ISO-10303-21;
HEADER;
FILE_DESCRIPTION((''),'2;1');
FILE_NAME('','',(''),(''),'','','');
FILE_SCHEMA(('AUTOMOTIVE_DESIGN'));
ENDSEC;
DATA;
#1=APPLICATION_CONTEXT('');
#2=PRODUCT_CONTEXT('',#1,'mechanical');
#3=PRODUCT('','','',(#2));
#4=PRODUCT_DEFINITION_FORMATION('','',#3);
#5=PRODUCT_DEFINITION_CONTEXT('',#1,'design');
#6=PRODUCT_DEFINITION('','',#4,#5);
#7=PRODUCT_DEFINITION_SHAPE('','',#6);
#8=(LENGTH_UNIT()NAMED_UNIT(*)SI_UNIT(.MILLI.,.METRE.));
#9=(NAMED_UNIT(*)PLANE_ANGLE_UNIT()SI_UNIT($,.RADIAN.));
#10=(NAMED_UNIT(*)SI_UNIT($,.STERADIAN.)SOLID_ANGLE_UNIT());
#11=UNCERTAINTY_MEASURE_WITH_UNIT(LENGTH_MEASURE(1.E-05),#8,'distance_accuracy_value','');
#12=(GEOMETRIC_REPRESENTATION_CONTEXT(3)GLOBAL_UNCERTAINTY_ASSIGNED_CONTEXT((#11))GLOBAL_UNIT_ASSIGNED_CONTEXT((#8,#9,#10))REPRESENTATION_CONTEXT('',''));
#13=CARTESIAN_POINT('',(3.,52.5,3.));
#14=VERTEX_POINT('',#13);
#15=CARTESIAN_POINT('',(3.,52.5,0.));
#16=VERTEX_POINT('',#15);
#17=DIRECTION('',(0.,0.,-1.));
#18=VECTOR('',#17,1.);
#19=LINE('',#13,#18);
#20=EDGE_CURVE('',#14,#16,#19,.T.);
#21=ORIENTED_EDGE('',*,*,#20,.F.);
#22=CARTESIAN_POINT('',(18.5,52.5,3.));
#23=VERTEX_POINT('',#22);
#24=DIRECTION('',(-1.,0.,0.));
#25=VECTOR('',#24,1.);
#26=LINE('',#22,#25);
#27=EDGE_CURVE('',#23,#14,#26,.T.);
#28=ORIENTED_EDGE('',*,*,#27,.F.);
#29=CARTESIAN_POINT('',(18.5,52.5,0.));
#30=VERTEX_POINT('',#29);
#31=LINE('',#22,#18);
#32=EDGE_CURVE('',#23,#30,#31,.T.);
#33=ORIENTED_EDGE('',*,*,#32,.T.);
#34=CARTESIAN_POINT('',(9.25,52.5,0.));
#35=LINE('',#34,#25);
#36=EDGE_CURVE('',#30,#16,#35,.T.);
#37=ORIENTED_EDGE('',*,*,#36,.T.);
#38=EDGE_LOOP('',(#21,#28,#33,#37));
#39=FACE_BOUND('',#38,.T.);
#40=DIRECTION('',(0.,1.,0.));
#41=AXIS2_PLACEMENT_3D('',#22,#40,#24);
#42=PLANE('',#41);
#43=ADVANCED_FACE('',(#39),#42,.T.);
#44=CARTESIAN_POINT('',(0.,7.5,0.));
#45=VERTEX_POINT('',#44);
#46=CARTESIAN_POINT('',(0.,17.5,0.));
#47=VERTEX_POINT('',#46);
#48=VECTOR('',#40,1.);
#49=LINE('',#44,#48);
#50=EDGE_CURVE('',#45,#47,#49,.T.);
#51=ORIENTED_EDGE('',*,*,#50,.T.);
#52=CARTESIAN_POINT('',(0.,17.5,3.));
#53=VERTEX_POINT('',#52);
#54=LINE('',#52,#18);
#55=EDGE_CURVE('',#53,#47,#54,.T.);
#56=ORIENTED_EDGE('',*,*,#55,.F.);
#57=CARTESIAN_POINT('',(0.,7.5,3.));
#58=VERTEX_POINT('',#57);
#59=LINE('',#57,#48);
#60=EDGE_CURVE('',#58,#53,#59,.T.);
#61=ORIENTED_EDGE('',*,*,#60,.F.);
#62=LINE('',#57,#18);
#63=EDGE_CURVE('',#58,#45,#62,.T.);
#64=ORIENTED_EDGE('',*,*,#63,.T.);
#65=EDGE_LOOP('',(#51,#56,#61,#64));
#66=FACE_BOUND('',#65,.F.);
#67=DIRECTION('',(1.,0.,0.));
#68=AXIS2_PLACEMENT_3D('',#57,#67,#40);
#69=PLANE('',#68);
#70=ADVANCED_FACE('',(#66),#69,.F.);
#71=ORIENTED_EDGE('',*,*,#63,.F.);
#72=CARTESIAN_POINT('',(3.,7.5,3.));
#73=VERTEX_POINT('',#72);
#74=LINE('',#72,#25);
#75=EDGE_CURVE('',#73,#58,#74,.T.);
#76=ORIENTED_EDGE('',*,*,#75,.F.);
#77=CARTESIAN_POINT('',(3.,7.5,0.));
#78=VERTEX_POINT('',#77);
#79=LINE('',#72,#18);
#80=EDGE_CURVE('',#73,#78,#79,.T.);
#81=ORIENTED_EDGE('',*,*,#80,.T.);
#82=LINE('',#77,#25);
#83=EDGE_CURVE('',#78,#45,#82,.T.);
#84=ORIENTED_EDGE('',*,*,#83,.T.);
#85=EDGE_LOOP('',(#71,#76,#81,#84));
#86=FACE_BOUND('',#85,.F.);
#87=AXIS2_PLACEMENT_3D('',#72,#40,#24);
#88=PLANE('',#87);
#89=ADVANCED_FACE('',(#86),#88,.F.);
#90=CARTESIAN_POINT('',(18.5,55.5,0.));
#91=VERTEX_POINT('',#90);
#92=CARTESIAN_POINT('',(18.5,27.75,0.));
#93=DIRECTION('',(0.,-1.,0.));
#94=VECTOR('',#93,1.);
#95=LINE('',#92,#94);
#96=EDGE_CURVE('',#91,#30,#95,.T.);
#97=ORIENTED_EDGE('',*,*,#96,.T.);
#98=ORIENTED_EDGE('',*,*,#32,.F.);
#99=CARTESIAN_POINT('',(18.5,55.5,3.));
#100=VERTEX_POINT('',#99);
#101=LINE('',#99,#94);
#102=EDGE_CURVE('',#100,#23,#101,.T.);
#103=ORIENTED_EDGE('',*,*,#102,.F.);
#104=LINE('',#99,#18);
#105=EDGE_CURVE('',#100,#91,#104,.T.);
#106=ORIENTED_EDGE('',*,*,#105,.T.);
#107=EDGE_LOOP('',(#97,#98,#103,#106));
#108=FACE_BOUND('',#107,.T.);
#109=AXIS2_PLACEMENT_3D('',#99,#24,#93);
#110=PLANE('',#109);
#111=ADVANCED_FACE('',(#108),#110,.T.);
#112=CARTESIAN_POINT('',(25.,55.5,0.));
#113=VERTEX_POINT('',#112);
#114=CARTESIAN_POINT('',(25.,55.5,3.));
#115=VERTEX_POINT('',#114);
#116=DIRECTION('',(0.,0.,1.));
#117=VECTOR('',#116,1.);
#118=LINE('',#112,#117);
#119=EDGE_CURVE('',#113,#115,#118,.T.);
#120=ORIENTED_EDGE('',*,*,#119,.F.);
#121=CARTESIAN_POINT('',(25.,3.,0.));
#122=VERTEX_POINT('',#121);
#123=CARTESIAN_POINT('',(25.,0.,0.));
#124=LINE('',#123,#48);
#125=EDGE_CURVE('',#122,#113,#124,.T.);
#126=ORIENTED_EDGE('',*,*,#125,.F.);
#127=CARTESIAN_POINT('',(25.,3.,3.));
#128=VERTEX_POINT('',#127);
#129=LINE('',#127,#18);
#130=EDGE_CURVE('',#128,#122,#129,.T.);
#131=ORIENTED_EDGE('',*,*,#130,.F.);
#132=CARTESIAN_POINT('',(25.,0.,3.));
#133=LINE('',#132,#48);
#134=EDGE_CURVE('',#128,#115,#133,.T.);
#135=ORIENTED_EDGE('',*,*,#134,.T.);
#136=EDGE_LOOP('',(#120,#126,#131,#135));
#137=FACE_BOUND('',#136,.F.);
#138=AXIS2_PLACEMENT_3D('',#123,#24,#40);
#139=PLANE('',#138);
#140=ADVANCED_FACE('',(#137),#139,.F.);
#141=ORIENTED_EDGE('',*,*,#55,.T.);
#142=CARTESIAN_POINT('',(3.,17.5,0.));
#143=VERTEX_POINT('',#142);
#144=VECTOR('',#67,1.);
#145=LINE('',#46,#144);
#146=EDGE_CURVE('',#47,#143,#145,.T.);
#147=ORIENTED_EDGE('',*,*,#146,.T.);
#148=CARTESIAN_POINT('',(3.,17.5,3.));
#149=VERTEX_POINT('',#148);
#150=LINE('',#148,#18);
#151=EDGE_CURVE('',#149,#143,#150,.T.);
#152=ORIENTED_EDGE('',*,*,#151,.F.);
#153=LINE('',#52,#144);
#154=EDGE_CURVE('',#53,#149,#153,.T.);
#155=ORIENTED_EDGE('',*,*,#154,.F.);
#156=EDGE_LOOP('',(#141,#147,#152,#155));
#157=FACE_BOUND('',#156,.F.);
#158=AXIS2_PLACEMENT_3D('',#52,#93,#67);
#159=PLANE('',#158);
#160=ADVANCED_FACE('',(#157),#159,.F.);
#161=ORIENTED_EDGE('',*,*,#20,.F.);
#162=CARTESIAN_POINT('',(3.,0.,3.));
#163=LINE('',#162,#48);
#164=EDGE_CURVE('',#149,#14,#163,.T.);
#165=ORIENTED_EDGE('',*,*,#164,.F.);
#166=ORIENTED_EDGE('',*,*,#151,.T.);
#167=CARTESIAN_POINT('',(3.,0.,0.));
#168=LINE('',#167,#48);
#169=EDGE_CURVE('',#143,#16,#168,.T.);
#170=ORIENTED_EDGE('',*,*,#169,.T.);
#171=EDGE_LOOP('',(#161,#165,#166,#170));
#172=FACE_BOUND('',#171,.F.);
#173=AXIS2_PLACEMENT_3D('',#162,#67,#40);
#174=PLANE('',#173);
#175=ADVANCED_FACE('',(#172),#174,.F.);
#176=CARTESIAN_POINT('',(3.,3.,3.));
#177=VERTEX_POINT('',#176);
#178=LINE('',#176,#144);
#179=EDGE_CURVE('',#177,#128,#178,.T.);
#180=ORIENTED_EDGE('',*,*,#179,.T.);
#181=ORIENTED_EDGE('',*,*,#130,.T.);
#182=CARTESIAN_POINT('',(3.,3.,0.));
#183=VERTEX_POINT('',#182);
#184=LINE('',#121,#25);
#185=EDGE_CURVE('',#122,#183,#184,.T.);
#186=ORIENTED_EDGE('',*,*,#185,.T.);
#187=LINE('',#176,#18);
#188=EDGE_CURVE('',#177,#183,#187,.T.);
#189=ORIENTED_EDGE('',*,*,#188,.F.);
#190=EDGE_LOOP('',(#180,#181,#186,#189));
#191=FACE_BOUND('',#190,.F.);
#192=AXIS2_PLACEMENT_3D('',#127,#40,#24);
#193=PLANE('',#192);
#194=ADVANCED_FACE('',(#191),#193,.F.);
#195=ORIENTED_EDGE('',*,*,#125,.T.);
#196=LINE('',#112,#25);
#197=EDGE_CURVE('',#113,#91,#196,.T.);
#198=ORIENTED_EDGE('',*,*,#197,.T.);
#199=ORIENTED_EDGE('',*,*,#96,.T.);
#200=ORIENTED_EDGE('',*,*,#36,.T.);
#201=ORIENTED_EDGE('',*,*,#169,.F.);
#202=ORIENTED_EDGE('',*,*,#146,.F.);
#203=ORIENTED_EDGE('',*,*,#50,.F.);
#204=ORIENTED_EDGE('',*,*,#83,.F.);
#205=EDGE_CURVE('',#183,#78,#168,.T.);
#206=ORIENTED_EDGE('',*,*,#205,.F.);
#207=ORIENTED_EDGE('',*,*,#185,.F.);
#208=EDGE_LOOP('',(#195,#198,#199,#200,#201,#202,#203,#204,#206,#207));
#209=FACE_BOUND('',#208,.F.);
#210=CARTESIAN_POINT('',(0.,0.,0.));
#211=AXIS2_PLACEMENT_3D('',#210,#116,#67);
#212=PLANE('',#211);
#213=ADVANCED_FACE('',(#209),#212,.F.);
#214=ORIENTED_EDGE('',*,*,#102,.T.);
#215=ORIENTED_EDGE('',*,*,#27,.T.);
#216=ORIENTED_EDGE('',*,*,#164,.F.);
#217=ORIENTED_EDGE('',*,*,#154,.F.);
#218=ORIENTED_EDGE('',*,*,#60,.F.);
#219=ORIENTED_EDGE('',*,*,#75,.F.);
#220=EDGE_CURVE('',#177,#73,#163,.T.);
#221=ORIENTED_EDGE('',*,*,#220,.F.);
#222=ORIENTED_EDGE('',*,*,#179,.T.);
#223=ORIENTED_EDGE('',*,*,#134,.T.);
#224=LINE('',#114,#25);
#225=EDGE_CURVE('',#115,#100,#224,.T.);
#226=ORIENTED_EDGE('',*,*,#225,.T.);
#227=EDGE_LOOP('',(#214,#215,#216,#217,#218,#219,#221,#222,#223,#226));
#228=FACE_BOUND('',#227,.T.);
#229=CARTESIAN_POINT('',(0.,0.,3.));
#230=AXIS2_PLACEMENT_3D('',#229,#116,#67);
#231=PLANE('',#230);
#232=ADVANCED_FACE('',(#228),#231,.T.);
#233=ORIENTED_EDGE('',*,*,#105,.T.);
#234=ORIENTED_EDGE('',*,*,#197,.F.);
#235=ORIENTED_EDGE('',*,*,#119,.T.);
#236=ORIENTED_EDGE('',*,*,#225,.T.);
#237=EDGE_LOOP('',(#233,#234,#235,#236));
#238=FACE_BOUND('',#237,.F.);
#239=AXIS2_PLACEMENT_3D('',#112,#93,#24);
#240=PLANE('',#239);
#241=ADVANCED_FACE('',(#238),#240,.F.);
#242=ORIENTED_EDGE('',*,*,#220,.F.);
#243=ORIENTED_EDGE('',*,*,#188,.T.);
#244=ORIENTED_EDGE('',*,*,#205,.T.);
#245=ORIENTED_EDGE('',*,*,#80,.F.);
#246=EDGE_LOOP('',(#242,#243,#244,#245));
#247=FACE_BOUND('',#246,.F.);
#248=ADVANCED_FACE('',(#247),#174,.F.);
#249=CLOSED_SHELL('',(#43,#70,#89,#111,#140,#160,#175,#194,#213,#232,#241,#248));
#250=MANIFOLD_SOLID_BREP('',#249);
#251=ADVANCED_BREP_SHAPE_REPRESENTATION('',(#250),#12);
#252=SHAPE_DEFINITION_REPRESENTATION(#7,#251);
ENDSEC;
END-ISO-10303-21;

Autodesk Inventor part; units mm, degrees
ref_plane "YZ Plane" through (0, 0, 0) normal (1, 0, 0) x (0, 1, 0)
ref_plane "XZ Plane" through (0, 0, 0) normal (0, 1, 0) x (-1, 0, 0)
ref_plane "XY Plane" through (0, 0, 0) normal (0, 0, 1) x (1, 0, 0)
sketch "Sketch1" plane through (0, 0, 0) normal (0, 0, 1) x (1, 0, 0)
  line L0 (0, 0) -> (25, 0)
  line L1 (25, 0) -> (25, 55.5)
  line L2 (25, 55.5) -> (0, 55.5)
  line L3 (0, 55.5) -> (0, 0)
  dimension "d0" = 25
  dimension "d1" = 55.5
extrude "Extrusion1" add sketch "Sketch1" along normal blind 3
sketch "Sketch2" plane through (0, 0, 3) normal (0, 0, 1) x (1, 0, 0)
  line L0 (0, 55.5) -> (0, 0) projected
  line L1 (25, 55.5) -> (0, 55.5) projected
  line L2 (0, 0) -> (3, 0)
  line L3 (3, 0) -> (3, 55.5)
  line L4 (3, 55.5) -> (0, 55.5)
  line L5 (0, 55.5) -> (0, 0)
  dimension "d4" = 3
extrude "Extrusion2" cut sketch "Sketch2" against normal through all
sketch "Sketch3" plane through (0, 0, 3) normal (0, 0, 1) x (1, 0, 0)
  point P0 (0, 0)
sketch "Sketch4" plane through (0, 0, 3) normal (0, 0, 1) x (1, 0, 0)
  line L0 (25, 55.5) -> (3, 55.5) projected
  line L1 (3, 55.5) -> (18.5, 55.5)
  line L2 (18.5, 55.5) -> (18.5, 22.5)
  line L3 (18.5, 22.5) -> (3, 22.5)
  line L4 (3, 22.5) -> (3, 55.5)
  point P0 (0, 0)
  dimension "d7" = 15.5
  dimension "d8" = 33
sketch "Sketch5" plane through (0, 0, 3) normal (0, 0, 1) x (1, 0, 0)
  line L0 (3, 0) -> (25, 0) projected
  line L1 (8, 0) -> (18, 0)
  line L2 (18, 0) -> (18, 3)
  line L3 (18, 3) -> (8, 3)
  line L4 (8, 3) -> (8, 0)
  line L5 (3, 55.5) -> (3, 0) projected
  line L6 (3, 0) -> (8, 0)
  line L7 (8, 0) -> (8, 3)
  line L8 (8, 3) -> (3, 3)
  line L9 (3, 3) -> (3, 0)
  line L10 (18, 0) -> (25, 0)
  line L11 (25, 0) -> (25, 3)
  line L12 (25, 3) -> (18, 3)
  line L13 (18, 3) -> (18, 0)
  point P0 (0, 0)
  point P1 (3, 22.5)
  dimension "d11" = 10
  dimension "d12" = 3
  dimension "d13" = 5
extrude "Extrusion4" cut sketch "Sketch5" against normal through all contours L5 L8 L4 L0 | L2 L12 L11 L0
sketch "Sketch6" plane through (0, 0, 3) normal (0, 0, 1) x (1, 0, 0)
  line L0 (25, 55.5) -> (3, 55.5) projected
  line L1 (3, 55.5) -> (18.5, 55.5)
  line L2 (18.5, 55.5) -> (18.5, 52.5)
  line L3 (18.5, 52.5) -> (3, 52.5)
  line L4 (3, 52.5) -> (3, 55.5)
  line L5 (18.5, 55.5) -> (18.5, 22.5) projected
  point P0 (0, 0)
  dimension "d16" = 3
extrude "Extrusion5" cut sketch "Sketch6" against normal through all
sketch "Sketch7" plane through (0, 0, 3) normal (0, 0, 1) x (1, 0, 0)
  line L0 (8, 0) -> (8, 3) projected
  line L1 (25, 3) -> (18, 3) projected
  line L2 (8, 0) -> (18, 0)
  line L3 (18, 0) -> (18, 3)
  line L4 (18, 3) -> (8, 3)
  line L5 (8, 3) -> (8, 0)
  point P0 (0, 0)
extrude "Extrusion6" cut sketch "Sketch7" against normal through all
sketch "Sketch8" plane through (0, 0, 3) normal (0, 0, 1) x (1, 0, 0)
  line L0 (3, 3) -> (3, 52.5) projected
  line L1 (3, 7.5) -> (0, 7.5)
  line L2 (0, 7.5) -> (0, 17.5)
  line L3 (0, 17.5) -> (3, 17.5)
  line L4 (3, 17.5) -> (3, 7.5)
  line L5 (3, 3) -> (25, 3) projected
  point P0 (0, 0)
  dimension "d21" = 3
  dimension "d22" = 10
  dimension "d23" = 4.5
extrude "Extrusion7" add sketch "Sketch8" against normal blind 3
properties part number "hollow_mount"
